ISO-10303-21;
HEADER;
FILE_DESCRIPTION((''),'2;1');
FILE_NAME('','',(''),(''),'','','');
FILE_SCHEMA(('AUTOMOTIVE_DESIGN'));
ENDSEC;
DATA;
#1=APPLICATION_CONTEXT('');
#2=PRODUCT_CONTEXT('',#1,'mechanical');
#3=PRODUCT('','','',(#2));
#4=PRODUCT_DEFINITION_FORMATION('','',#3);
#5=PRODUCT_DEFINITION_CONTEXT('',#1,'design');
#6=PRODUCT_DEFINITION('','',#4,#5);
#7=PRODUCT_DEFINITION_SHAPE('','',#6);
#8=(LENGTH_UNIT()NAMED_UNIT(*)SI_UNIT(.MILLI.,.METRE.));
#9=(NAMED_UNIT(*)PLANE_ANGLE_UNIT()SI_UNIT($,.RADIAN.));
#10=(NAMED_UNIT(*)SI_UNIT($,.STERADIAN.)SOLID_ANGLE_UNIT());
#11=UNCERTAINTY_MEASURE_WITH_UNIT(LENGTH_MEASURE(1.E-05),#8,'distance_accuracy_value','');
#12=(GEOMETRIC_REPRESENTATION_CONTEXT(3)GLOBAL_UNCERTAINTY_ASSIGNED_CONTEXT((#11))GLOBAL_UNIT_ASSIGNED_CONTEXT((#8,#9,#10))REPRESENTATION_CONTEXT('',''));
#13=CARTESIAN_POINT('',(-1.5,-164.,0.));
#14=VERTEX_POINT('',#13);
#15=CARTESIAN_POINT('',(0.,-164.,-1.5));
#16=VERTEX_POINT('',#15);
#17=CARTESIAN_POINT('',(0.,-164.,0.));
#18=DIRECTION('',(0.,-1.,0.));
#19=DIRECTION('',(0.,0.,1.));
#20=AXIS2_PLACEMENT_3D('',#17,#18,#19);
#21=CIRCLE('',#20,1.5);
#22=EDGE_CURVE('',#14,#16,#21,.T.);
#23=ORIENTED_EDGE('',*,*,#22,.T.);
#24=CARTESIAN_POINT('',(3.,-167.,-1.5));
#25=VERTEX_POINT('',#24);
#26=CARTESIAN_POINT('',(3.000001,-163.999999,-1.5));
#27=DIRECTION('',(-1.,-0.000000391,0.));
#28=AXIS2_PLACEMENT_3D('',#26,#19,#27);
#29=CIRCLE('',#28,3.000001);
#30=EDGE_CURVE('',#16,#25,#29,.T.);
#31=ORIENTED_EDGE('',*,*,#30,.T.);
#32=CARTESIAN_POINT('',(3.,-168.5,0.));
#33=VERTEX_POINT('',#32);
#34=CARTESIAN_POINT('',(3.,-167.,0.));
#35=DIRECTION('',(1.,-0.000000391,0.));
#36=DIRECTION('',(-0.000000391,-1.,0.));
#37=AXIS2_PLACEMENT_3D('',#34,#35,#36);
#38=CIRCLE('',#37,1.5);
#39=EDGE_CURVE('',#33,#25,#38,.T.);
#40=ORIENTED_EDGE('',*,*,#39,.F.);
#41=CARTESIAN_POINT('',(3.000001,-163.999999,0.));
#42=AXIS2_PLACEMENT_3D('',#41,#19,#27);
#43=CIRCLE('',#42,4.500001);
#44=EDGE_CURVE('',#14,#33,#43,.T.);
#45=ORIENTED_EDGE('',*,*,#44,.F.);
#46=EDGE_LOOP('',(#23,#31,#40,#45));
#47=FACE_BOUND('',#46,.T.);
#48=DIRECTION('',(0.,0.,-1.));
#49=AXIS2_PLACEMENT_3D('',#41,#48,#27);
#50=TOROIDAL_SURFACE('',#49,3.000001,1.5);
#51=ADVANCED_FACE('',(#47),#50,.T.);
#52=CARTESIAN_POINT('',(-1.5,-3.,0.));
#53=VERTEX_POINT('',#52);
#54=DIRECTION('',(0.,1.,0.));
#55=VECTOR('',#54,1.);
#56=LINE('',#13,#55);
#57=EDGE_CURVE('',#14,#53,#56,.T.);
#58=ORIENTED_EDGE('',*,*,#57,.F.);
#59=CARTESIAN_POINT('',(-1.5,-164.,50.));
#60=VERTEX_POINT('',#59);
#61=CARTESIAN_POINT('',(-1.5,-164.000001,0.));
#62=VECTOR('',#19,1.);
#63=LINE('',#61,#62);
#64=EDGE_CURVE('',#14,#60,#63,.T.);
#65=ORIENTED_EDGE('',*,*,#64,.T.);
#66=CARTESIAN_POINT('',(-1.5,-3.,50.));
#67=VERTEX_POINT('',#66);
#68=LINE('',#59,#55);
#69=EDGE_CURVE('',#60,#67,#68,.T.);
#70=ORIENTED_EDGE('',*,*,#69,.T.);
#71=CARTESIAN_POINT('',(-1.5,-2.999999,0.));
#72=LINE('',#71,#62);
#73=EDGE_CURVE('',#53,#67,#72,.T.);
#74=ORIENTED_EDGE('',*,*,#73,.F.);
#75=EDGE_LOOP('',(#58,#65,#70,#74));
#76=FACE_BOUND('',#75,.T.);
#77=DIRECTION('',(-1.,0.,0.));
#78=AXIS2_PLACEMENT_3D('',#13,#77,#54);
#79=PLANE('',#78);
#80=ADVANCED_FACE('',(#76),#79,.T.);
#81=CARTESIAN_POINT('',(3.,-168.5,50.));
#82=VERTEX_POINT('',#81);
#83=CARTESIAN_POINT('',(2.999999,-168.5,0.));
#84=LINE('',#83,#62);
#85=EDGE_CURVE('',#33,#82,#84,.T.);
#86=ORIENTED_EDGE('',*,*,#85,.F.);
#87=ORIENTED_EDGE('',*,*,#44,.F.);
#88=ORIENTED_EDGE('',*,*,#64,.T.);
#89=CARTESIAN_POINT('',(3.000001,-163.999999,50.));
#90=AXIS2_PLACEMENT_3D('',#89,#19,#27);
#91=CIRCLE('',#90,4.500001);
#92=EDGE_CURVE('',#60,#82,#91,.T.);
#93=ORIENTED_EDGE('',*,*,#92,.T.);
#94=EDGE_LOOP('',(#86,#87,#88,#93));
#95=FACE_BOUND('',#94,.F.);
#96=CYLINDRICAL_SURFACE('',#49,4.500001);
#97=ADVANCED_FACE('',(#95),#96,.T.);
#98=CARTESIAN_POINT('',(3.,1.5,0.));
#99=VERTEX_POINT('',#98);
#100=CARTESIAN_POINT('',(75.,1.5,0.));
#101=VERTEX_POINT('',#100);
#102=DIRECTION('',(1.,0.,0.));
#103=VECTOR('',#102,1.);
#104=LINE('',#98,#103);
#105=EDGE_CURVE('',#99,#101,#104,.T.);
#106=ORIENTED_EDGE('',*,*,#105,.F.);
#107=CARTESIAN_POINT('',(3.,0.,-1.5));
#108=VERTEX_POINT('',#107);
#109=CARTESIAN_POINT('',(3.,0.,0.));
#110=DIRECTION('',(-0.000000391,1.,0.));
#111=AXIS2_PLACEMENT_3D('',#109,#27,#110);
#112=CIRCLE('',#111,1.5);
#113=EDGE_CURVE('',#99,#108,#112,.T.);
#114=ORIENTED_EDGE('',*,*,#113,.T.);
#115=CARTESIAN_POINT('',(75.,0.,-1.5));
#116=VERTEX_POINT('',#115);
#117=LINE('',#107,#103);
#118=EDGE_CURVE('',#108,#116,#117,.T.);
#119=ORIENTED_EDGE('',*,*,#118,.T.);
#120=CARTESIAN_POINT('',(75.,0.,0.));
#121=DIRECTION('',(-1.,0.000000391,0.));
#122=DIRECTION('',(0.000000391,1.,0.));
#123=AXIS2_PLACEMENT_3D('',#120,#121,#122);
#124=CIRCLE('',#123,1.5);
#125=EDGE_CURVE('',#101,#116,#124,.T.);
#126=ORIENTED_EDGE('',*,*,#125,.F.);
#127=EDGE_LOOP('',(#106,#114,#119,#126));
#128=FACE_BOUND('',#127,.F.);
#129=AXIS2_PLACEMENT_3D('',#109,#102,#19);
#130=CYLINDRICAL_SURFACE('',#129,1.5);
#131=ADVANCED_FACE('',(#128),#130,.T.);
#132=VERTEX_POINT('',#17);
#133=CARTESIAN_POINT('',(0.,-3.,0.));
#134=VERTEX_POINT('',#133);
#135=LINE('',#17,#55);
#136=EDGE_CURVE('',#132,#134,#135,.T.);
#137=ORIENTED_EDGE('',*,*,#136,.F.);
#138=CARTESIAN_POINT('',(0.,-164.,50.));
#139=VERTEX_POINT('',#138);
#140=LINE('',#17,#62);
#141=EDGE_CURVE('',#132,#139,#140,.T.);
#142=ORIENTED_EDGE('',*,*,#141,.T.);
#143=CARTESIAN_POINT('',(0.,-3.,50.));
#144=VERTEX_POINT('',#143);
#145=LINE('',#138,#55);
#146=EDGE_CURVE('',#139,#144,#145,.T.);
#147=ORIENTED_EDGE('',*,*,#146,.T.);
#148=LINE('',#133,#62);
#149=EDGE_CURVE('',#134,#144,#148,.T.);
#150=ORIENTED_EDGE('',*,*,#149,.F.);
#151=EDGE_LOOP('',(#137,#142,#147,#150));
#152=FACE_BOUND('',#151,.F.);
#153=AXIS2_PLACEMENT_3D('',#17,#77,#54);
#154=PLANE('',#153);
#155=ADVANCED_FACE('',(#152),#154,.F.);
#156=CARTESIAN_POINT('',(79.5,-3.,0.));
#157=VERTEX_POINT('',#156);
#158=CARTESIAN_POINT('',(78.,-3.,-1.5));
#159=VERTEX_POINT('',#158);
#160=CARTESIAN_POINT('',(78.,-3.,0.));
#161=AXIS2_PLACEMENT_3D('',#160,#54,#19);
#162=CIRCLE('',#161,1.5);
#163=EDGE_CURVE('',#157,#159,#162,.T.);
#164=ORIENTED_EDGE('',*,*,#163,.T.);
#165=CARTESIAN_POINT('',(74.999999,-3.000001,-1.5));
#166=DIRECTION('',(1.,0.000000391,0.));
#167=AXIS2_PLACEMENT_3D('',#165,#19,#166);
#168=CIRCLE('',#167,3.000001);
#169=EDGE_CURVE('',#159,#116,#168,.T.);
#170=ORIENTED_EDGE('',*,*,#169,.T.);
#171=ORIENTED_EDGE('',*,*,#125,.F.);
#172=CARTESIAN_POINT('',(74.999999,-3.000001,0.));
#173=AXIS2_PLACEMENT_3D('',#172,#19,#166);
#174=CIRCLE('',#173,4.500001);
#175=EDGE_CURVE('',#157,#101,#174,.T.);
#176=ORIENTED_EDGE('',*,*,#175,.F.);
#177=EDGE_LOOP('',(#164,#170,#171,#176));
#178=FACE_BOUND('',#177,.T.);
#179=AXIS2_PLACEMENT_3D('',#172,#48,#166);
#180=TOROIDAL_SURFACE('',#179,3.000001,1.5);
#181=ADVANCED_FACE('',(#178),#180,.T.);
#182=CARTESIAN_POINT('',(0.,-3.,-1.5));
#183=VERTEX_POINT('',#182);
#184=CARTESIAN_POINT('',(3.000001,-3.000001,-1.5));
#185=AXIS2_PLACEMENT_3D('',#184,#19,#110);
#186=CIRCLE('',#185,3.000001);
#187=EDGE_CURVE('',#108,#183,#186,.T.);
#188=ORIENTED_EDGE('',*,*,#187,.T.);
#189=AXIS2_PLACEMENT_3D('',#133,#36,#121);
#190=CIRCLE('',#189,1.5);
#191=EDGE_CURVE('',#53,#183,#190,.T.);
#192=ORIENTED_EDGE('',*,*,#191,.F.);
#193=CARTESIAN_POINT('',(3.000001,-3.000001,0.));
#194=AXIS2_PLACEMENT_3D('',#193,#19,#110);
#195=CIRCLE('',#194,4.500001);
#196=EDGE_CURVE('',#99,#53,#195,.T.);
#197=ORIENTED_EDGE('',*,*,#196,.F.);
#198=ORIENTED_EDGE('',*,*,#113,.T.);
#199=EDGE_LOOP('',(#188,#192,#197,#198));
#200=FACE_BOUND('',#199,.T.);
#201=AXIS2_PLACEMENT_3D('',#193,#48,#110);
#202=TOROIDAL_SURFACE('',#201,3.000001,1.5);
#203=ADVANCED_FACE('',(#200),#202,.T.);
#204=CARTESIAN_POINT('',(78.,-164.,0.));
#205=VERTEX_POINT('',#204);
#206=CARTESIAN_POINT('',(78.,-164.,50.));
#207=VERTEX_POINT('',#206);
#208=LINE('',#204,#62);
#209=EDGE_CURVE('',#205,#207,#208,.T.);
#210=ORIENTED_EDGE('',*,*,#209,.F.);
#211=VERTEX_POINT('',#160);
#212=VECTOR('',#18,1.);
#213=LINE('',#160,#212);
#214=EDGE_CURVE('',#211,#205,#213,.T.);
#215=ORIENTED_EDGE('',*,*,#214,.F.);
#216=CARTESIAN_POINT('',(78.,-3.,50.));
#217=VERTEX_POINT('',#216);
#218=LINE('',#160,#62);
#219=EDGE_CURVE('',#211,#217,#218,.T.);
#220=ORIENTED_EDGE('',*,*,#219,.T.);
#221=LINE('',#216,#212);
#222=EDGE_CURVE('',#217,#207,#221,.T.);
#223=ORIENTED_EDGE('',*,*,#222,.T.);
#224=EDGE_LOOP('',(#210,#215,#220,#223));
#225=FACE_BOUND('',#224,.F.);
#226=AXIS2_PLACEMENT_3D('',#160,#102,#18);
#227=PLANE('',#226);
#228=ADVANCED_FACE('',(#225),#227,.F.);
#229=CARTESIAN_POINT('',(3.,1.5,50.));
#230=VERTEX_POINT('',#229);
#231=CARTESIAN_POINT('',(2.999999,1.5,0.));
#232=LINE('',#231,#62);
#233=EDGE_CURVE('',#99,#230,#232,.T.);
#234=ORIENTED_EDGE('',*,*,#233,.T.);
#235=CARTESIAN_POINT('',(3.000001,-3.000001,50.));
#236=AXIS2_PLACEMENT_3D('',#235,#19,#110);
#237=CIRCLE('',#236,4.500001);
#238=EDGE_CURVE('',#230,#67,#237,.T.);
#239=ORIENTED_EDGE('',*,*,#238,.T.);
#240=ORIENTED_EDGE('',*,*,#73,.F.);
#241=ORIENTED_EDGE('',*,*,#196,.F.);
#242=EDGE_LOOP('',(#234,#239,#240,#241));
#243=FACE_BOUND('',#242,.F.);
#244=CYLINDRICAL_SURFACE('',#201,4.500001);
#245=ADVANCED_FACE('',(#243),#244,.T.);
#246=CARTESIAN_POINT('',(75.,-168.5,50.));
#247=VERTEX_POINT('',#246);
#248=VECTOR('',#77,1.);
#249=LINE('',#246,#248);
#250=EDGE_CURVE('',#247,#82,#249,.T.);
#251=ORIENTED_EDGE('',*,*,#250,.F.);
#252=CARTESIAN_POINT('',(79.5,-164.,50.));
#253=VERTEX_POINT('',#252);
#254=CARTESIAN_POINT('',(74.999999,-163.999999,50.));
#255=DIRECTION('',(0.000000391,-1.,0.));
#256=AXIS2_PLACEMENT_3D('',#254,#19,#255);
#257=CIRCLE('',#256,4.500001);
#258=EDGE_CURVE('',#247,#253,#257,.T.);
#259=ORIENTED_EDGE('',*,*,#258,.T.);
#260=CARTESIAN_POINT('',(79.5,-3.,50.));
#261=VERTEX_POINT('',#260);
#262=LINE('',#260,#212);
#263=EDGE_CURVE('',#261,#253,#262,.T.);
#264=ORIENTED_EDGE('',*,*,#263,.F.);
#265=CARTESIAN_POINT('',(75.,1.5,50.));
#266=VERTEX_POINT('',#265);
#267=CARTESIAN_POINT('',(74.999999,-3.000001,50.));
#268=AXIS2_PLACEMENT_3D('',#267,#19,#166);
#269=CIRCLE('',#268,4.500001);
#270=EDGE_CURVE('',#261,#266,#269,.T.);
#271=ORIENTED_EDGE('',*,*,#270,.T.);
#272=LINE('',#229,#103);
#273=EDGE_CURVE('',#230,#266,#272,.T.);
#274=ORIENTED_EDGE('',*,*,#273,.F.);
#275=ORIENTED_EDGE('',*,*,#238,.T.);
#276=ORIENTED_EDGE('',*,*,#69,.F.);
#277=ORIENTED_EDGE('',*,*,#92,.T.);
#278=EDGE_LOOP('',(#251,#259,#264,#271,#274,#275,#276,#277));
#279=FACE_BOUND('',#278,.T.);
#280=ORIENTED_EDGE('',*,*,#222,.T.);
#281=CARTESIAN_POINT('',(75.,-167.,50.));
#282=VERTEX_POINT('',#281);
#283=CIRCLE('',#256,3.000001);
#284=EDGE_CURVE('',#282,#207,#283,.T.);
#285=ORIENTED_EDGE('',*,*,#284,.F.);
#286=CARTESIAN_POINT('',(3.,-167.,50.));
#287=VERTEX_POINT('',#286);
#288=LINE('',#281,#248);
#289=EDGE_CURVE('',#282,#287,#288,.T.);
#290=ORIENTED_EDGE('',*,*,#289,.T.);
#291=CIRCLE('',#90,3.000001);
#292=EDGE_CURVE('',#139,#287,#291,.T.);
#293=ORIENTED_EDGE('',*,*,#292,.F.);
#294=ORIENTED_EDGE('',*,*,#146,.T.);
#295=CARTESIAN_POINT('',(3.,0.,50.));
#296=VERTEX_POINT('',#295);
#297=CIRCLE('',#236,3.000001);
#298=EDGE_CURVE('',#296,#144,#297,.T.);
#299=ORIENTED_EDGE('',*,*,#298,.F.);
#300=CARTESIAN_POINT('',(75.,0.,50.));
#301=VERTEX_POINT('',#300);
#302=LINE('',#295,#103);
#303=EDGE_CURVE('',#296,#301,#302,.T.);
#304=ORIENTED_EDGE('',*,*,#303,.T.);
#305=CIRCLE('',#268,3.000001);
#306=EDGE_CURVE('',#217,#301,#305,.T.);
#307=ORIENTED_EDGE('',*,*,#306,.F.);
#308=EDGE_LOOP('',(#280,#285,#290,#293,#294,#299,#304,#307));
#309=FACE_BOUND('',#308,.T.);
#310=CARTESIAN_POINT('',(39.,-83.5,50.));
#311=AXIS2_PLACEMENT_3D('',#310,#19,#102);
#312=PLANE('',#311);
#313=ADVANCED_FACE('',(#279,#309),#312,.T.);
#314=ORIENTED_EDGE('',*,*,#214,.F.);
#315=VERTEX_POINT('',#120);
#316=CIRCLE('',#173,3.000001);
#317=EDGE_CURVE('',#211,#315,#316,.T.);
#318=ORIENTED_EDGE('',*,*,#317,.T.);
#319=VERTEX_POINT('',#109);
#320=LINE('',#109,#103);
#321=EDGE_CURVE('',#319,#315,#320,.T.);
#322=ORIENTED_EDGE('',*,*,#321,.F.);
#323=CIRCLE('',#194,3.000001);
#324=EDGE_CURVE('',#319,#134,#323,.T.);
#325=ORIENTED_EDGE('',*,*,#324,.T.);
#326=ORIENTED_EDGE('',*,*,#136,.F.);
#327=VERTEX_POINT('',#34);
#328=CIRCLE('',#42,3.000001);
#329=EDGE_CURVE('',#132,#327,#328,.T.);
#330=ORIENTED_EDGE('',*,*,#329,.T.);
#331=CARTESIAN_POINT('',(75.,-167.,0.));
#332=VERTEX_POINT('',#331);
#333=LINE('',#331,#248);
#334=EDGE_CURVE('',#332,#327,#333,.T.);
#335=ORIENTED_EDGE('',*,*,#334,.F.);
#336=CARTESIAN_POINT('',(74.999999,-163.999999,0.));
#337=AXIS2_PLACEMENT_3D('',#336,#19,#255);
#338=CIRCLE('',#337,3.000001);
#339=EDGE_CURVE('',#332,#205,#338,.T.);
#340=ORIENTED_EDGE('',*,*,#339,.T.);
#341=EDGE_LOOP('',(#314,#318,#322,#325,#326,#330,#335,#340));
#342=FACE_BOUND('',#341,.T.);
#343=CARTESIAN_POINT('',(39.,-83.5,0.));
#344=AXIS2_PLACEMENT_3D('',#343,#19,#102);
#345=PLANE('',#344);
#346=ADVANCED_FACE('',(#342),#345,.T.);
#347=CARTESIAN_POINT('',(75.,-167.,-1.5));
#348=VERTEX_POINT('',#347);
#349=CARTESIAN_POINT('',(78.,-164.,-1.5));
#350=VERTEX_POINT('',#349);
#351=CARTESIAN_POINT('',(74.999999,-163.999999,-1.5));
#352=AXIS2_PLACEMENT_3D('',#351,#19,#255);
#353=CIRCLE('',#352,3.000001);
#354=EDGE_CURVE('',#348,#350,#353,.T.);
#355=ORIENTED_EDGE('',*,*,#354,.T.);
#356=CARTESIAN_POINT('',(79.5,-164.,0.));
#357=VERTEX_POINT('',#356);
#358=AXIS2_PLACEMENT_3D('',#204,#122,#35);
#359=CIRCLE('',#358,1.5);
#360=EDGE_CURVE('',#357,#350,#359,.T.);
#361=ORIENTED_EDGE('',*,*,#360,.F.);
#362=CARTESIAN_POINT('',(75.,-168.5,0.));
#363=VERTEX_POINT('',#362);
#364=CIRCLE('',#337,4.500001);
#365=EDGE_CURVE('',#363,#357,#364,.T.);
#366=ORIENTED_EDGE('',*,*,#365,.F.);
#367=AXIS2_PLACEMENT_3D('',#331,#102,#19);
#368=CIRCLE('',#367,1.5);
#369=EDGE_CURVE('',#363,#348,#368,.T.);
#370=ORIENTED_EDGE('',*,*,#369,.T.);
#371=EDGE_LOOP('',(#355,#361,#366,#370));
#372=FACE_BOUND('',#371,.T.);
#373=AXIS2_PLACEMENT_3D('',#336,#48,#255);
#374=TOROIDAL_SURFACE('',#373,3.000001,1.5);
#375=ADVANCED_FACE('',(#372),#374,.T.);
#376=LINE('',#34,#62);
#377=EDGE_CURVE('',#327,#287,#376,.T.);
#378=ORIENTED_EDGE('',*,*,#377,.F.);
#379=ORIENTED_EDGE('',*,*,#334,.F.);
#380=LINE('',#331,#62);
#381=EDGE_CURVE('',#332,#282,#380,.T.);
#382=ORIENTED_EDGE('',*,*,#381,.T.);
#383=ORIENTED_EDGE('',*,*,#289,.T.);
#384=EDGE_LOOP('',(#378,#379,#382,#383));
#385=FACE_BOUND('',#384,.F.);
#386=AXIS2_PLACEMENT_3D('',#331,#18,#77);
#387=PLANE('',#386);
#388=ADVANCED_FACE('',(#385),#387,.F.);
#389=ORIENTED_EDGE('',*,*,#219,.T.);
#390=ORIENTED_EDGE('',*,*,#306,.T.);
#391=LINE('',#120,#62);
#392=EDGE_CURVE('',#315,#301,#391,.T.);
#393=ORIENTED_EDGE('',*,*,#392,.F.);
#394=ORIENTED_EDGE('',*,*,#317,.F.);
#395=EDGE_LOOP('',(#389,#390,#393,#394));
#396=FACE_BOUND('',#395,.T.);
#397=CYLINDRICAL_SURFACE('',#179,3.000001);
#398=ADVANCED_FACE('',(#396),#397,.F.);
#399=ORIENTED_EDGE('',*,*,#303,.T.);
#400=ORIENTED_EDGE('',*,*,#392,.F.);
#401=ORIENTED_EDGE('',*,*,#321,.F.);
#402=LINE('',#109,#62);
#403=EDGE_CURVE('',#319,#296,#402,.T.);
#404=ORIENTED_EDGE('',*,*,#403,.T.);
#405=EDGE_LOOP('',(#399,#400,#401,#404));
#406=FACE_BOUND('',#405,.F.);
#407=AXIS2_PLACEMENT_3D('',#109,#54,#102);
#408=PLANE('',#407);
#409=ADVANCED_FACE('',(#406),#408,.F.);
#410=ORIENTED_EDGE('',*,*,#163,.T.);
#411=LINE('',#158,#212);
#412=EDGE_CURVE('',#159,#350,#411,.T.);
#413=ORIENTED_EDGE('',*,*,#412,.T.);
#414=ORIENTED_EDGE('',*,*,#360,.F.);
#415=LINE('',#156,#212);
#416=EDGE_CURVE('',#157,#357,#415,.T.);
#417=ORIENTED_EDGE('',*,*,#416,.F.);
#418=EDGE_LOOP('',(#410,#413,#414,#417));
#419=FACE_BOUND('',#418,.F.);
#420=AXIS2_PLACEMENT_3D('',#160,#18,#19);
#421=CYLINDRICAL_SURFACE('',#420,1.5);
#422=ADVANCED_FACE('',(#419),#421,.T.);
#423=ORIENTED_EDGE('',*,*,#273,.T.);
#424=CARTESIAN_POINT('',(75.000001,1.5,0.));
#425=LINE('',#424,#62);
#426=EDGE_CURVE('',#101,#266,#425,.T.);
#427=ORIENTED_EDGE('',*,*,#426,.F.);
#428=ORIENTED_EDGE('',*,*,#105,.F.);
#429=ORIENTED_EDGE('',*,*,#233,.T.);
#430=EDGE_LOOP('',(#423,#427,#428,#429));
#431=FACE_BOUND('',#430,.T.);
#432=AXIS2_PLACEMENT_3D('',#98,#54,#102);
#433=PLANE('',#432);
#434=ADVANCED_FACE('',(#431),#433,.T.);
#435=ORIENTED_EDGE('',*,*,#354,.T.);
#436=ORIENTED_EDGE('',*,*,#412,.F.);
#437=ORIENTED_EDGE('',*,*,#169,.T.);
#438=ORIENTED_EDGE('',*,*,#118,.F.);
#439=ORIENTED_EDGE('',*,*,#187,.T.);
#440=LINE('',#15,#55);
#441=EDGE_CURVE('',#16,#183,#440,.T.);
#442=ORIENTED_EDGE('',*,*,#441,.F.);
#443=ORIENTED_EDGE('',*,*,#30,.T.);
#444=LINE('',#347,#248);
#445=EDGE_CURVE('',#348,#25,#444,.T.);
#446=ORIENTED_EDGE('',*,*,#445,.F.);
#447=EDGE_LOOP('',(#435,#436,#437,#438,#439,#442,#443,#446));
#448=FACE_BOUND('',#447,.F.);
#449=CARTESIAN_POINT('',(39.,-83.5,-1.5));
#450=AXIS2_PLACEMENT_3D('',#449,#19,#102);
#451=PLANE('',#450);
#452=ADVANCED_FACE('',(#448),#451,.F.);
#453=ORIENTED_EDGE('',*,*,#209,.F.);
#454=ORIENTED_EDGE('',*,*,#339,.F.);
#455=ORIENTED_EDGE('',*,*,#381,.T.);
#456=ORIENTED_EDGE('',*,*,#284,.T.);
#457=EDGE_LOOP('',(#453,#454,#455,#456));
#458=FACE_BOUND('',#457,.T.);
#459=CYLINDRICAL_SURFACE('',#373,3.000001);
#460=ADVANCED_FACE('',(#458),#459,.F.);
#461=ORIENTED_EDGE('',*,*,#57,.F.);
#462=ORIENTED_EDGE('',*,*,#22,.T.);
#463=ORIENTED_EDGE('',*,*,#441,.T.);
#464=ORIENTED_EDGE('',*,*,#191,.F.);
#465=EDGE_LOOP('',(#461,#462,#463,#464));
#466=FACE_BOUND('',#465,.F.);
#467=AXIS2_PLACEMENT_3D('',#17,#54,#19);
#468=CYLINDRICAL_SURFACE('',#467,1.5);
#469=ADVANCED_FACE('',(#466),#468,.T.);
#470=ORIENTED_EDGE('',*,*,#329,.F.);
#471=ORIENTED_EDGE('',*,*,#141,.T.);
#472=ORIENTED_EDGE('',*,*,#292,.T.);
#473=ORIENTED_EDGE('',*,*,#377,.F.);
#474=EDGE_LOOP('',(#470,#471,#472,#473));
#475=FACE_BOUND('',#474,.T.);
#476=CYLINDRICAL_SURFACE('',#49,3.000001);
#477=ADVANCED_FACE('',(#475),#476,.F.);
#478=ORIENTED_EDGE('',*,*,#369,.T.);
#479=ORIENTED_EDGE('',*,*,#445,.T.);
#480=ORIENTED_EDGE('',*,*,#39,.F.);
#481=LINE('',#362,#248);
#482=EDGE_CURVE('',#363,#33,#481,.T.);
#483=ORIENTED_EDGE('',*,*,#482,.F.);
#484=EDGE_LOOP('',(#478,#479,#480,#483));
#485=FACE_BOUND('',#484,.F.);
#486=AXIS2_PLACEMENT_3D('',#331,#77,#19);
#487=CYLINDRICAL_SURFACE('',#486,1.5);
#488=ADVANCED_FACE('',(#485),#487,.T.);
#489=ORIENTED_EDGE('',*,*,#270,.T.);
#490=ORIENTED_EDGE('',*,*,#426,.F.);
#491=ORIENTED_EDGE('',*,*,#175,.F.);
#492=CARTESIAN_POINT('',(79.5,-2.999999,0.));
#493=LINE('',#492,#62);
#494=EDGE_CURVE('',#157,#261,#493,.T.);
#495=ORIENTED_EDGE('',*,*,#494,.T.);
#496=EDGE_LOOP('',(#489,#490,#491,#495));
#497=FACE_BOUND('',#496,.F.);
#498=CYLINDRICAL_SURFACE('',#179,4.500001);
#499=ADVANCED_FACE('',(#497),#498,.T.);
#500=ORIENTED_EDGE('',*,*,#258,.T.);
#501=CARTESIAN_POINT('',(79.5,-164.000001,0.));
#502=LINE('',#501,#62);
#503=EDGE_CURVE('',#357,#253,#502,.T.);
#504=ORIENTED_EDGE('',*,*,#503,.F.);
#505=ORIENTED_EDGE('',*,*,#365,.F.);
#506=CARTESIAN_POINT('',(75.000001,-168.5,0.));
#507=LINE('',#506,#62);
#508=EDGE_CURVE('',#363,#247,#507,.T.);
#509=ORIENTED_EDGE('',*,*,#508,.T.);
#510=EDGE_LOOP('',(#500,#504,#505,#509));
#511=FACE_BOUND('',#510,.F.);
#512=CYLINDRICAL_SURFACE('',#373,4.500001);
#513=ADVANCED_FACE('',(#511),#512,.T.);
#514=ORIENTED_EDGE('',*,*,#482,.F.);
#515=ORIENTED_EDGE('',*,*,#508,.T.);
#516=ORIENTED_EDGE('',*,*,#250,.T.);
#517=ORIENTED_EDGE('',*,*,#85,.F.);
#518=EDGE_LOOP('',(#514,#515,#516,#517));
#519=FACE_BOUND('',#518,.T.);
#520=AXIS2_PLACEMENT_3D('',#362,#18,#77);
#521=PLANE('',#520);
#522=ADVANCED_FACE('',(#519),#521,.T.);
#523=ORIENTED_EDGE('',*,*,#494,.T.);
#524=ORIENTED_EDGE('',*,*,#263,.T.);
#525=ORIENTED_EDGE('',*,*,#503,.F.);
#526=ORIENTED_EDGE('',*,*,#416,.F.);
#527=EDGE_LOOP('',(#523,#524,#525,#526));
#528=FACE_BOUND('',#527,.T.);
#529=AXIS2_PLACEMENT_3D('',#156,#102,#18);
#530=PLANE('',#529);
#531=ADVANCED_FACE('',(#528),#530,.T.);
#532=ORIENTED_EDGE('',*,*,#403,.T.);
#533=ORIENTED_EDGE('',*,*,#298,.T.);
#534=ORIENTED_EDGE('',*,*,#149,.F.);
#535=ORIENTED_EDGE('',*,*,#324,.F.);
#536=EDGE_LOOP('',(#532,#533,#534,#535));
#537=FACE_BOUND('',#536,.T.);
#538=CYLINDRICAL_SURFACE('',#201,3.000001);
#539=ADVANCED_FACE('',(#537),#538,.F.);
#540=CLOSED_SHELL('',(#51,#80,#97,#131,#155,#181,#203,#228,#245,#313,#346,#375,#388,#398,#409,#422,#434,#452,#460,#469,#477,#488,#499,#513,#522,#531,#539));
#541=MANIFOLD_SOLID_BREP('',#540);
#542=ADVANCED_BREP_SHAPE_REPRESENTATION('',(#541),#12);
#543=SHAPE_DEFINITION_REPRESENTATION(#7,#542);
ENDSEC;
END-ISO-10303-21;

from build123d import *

# Parameters (mm, degrees)
PAD_DEPTH   = 50
THICKNESS_T = 1.5


with BuildPart() as part:
    # Sketch → Pad (new body)
    with BuildSketch(Plane.XY):
        with BuildLine():
            ThreePointArc((3, 0), (0.87868, -0.87868), (0, -3))
            Line((0, -164), (0, -3))
            ThreePointArc((0, -164), (0.87868, -166.12132), (3, -167))
            Line((75, -167), (3, -167))
            ThreePointArc((75, -167), (77.12132, -166.12132), (78, -164))
            Line((78, -3), (78, -164))
            ThreePointArc((78, -3), (77.12132, -0.87868), (75, 0))
            Line((3, 0), (75, 0))
        make_face()
    extrude(amount=PAD_DEPTH)

    # Thickness
    thickness_openings = [part.faces().sort_by_distance(p)[0] for p in [
        (39, -83.5, 50),
    ]]
    offset(amount=THICKNESS_T, openings=thickness_openings)


solid = part.part
